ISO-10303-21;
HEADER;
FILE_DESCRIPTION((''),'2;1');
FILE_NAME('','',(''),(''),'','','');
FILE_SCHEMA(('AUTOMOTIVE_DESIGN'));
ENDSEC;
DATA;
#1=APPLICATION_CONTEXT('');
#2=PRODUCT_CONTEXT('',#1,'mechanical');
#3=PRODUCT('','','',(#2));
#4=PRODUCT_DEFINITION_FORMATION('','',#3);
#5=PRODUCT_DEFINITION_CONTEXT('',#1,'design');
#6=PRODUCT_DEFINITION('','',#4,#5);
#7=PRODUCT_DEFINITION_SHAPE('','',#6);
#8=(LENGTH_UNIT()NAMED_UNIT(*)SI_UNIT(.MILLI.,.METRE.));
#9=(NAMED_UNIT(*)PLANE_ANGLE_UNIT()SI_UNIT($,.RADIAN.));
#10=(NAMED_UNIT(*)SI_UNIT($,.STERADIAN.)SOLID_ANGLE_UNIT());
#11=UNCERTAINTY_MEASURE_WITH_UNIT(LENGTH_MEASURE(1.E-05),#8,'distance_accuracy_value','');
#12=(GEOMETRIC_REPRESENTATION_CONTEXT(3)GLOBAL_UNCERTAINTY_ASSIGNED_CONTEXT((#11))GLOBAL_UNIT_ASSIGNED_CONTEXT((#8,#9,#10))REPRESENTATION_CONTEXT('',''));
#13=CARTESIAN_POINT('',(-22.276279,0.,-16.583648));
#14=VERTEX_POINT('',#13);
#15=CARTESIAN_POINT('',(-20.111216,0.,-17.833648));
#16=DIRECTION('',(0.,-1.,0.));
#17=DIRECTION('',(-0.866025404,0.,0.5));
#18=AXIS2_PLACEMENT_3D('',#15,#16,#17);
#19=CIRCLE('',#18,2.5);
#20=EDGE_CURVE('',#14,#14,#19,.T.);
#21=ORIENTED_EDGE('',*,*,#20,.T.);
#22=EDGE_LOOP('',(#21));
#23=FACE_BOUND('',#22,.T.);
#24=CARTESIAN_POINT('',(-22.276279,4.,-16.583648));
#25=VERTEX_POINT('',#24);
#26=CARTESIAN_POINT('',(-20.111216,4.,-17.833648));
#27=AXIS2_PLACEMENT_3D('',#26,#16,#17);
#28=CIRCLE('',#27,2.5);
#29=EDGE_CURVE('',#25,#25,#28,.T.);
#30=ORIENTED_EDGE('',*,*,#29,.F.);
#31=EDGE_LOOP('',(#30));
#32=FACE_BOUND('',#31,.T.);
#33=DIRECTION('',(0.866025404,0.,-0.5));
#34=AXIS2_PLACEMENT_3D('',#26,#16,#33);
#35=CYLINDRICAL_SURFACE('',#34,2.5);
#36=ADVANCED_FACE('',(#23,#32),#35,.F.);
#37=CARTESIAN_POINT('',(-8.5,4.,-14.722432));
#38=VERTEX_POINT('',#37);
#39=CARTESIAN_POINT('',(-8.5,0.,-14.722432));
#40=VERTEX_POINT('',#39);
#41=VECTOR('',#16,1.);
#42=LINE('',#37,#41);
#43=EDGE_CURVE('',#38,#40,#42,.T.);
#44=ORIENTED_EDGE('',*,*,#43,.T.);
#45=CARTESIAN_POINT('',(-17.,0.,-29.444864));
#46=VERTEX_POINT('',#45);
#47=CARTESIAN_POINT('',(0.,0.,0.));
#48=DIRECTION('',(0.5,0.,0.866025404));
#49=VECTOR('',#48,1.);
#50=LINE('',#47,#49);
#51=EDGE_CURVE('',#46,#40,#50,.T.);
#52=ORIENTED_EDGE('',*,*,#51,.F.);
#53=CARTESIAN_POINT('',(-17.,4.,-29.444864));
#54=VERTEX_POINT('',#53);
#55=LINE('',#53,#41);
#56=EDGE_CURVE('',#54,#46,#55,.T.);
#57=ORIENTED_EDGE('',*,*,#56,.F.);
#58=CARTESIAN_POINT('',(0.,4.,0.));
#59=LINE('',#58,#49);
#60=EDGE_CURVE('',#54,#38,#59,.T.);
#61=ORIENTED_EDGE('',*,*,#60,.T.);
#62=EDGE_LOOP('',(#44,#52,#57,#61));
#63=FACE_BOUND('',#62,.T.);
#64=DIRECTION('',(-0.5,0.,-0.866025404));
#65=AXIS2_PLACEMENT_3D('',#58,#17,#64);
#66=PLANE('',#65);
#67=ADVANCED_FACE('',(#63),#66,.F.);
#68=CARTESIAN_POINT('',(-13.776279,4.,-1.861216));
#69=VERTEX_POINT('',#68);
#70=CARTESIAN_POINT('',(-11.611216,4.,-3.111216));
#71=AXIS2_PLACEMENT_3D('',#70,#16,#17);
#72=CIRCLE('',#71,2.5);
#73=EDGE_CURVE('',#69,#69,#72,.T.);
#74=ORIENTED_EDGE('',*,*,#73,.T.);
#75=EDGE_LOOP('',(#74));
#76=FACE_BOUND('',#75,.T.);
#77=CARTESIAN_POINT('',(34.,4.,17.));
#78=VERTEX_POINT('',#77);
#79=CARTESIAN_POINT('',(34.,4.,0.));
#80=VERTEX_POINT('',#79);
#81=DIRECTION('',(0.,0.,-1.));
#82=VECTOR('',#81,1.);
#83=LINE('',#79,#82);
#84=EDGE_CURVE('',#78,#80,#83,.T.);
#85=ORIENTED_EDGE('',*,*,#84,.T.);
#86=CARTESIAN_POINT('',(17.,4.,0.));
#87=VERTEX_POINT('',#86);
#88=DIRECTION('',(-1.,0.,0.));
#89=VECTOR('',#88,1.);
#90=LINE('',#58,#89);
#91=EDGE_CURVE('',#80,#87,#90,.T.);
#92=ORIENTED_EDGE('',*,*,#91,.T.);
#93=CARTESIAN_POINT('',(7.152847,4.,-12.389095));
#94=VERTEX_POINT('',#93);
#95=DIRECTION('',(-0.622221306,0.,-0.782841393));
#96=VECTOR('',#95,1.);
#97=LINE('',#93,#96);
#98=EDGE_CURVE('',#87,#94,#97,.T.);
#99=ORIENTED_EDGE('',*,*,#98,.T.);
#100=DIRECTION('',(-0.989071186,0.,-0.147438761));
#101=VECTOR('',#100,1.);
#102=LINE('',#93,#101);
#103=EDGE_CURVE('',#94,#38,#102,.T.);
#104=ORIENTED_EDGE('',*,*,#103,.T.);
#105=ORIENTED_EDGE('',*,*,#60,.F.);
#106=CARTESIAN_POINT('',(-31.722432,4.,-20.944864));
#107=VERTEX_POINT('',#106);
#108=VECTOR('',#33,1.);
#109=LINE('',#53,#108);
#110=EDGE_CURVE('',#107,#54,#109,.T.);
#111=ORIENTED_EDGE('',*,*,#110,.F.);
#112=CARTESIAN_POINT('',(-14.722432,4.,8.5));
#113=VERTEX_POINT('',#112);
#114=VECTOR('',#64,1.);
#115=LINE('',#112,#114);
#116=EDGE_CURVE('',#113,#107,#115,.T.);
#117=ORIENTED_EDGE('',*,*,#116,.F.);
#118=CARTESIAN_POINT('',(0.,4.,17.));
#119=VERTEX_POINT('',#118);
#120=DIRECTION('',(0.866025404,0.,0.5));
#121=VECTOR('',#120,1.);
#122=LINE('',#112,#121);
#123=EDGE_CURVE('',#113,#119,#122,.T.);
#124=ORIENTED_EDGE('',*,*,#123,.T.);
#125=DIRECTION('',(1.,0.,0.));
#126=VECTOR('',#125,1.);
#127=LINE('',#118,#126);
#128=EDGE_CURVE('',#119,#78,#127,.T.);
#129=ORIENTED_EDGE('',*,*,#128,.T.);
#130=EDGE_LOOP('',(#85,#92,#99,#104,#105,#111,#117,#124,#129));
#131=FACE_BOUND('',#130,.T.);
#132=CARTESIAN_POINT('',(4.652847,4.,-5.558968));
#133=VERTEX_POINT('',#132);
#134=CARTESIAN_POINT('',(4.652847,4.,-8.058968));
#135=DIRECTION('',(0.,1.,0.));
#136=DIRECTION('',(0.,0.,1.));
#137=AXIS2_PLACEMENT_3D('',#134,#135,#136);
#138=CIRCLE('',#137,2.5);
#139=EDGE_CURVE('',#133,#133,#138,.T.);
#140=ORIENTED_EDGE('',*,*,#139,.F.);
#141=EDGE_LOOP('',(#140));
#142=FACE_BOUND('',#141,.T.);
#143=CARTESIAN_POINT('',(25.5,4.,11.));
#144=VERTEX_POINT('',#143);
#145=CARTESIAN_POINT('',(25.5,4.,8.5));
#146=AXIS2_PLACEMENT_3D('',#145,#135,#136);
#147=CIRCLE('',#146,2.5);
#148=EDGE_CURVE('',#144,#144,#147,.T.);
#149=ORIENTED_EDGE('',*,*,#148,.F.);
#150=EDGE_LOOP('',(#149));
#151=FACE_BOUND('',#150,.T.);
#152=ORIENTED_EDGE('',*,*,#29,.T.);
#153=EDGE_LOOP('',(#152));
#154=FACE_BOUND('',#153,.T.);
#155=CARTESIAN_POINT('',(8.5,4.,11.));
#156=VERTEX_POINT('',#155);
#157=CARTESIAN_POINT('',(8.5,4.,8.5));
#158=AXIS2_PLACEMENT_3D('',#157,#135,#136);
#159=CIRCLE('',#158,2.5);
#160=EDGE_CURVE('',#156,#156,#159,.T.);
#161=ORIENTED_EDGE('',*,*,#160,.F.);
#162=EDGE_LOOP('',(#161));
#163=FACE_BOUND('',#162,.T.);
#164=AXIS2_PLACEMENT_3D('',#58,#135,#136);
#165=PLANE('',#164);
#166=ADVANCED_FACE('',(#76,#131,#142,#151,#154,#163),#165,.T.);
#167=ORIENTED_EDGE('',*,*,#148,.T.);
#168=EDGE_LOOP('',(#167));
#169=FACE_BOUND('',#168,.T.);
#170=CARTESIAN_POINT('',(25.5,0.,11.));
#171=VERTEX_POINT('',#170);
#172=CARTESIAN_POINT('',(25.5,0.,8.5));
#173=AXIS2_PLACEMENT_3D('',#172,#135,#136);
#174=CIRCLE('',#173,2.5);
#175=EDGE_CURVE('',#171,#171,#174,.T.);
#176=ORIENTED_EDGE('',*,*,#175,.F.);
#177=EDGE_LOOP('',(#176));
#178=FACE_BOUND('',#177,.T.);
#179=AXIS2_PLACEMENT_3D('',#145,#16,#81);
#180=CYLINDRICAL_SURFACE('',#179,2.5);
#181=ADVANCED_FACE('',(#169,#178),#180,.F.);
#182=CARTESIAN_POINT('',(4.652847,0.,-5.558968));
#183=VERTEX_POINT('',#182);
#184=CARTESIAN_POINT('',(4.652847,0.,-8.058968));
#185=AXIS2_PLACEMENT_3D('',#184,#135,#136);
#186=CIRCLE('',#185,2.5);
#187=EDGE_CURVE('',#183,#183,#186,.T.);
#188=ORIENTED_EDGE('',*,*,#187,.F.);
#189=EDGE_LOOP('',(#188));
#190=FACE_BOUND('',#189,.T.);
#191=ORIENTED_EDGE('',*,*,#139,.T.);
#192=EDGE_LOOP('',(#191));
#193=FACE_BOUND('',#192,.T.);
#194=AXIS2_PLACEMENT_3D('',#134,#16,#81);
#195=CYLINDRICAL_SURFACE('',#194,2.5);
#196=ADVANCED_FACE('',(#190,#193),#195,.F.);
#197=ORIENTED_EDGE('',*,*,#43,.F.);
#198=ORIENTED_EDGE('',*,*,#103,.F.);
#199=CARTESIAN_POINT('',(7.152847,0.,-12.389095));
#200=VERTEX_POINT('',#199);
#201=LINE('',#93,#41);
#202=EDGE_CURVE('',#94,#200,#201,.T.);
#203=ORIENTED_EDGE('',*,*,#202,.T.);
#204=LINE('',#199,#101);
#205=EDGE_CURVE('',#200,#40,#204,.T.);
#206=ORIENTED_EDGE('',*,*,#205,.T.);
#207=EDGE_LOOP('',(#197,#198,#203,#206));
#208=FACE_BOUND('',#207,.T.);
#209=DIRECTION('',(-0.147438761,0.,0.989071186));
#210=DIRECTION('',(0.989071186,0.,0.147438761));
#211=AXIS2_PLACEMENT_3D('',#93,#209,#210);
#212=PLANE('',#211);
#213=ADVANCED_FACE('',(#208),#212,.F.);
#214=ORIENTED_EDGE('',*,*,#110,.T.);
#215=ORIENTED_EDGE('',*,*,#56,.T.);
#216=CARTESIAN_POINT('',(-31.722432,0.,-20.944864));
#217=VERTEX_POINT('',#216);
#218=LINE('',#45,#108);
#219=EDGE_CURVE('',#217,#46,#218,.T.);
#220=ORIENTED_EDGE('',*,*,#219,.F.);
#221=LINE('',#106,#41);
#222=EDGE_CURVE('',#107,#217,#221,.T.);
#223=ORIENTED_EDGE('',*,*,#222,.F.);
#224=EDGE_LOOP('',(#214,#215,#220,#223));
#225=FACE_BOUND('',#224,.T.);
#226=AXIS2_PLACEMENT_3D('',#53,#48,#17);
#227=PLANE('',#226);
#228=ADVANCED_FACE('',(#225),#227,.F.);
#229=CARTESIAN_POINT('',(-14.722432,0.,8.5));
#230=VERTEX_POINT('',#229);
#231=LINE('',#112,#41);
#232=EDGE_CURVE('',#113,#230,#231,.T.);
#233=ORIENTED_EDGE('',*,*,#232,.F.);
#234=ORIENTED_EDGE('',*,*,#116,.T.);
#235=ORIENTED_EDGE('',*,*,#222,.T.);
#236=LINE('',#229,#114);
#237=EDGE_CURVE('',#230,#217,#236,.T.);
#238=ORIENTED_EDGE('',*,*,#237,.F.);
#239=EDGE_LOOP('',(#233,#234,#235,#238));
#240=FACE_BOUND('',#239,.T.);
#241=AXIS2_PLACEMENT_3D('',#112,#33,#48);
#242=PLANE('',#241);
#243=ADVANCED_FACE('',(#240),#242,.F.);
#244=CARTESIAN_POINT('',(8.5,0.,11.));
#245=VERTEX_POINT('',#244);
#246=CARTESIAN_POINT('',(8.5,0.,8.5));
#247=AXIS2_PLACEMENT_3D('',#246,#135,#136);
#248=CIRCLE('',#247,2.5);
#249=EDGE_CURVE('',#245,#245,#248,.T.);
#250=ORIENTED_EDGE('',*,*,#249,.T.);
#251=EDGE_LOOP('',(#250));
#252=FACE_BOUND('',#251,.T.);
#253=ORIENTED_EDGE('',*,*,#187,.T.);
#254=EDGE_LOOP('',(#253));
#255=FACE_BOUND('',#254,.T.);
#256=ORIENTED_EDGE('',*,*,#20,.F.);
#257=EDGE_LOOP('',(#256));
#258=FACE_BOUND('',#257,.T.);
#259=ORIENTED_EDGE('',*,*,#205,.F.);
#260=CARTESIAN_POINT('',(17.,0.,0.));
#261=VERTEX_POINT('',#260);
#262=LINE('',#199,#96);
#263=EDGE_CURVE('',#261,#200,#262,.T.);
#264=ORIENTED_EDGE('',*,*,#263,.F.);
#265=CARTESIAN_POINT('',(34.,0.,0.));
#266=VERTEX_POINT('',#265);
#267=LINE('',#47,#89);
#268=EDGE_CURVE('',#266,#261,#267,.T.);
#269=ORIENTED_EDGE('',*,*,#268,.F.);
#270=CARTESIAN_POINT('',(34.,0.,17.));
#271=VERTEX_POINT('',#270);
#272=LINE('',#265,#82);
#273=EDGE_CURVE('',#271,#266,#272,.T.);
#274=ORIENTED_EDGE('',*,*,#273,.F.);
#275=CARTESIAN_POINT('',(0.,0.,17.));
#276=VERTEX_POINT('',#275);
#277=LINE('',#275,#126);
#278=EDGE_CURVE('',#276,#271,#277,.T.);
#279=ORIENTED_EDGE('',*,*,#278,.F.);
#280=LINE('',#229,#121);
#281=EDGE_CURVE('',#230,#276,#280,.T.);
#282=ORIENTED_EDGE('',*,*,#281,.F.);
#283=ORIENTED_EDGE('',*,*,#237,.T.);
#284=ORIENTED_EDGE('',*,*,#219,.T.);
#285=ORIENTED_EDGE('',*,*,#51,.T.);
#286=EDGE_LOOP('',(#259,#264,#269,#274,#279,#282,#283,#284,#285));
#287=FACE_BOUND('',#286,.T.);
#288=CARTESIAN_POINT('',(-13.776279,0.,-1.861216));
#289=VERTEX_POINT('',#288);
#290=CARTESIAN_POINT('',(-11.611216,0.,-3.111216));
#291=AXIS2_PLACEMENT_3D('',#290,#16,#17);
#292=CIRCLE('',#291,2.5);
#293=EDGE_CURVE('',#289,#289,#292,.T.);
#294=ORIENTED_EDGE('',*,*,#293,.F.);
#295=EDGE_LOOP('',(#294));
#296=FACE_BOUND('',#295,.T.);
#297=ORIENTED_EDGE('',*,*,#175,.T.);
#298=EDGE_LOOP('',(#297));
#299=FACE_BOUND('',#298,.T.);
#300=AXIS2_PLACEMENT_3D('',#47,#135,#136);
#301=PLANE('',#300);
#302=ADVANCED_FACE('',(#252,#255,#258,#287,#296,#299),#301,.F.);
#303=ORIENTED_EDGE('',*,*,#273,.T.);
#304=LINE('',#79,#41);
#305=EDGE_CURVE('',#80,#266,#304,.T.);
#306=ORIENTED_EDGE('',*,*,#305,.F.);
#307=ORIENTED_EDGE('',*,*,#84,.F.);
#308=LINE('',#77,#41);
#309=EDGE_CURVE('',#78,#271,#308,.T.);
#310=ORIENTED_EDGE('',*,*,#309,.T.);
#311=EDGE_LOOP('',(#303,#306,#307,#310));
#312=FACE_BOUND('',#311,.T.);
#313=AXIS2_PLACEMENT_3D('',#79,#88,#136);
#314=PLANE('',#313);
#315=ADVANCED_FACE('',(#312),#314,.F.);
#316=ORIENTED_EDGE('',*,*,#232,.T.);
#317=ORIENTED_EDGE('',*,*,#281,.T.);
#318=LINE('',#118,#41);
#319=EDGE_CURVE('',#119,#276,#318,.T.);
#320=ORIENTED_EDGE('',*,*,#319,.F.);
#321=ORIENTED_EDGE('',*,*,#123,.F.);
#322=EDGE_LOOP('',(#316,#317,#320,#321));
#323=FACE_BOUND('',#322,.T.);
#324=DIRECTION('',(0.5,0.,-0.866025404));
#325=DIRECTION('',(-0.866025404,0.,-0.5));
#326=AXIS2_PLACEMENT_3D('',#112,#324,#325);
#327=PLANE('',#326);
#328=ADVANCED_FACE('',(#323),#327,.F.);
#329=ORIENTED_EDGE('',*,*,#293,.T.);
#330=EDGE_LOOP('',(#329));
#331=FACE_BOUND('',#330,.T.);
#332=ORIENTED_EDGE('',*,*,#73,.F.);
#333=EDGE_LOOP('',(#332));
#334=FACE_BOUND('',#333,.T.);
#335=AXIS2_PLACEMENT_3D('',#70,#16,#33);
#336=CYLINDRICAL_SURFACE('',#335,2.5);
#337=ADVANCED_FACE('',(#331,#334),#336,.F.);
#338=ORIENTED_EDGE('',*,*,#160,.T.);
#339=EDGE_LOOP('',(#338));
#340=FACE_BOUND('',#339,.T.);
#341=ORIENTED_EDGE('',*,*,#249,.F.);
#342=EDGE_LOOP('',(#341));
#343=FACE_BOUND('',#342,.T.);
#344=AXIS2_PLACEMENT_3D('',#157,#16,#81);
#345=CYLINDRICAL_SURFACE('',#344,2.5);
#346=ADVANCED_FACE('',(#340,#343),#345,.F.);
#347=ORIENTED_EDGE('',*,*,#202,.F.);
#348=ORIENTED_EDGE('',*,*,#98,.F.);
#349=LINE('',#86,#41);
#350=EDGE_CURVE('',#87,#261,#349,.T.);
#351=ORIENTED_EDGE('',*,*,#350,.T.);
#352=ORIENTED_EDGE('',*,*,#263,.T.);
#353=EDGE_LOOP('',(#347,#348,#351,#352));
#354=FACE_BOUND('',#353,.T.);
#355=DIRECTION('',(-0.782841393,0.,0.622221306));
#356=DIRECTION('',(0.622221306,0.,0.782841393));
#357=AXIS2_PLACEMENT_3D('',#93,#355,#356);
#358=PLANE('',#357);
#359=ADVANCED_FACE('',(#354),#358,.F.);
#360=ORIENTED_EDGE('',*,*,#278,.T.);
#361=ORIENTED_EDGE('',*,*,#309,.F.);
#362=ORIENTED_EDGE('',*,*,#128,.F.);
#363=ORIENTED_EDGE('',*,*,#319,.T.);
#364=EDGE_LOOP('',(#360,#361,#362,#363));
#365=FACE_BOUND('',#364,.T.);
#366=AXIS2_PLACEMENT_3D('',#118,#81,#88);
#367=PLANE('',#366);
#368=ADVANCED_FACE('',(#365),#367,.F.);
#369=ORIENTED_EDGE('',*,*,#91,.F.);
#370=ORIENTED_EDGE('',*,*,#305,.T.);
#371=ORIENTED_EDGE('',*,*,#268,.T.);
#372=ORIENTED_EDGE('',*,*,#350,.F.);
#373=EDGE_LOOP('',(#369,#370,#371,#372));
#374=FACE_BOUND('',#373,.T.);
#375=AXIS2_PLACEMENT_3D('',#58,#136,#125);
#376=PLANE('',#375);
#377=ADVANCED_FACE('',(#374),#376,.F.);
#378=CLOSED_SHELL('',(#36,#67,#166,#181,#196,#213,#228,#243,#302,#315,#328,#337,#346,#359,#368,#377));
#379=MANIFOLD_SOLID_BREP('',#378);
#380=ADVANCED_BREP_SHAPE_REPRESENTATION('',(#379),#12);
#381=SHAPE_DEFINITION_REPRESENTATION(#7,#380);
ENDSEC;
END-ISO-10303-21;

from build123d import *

# Parameters (mm, degrees)
SKETCH1_W           = 34
SKETCH1_H           = 17
SKETCH1_R           = 2.5
BOSS_EXTRUDE1_DEPTH = 4
BOSS_EXTRUDE2_DEPTH = 4
SKETCH13_R          = 2.5
BOSS_EXTRUDE3_DEPTH = 4


with BuildPart() as part:
    # sketch1 → Boss-Extrude1 (new body)
    with BuildSketch(Plane(origin=(0, 0, 0), x_dir=(1, 0, 0), z_dir=(0, 1, 0))):
        with Locations((17, -8.5)):
            Rectangle(SKETCH1_W, SKETCH1_H)
        with Locations((8.5, -8.5)):
            Circle(SKETCH1_R, mode=Mode.SUBTRACT)
        with Locations((25.5, -8.5)):
            Circle(SKETCH1_R, mode=Mode.SUBTRACT)
    extrude(amount=BOSS_EXTRUDE1_DEPTH)


with BuildPart() as body_2:
    # Mirror6: mirrored copy
    add(part.part.mirror(Plane(origin=(0, 0, 0), x_dir=(-0.5, 0, 0.866025404), z_dir=(-0.866025404, 0, -0.5))))


with BuildPart() as part_1:
    add(part.part)

    add(body_2.part)  # Boss-Extrude2 merges body 2
    # Sketch11 → Boss-Extrude2 (add)
    with BuildSketch(Plane(origin=(0, 0, 0), x_dir=(1, 0, 0), z_dir=(0, 1, 0))):
        Polygon((-14.722431864, -8.5), (0, -17), (0, 0), align=None)
    extrude(amount=BOSS_EXTRUDE2_DEPTH)

    # Sketch13 → Boss-Extrude3 (add)
    with BuildSketch(Plane(origin=(0, 0, 0), x_dir=(1, 0, 0), z_dir=(0, 1, 0))):
        Polygon((7.152847248, 12.389094852), (-8.5, 14.722431864), (0, 0), (17, 0), align=None)
        with Locations((4.652847248, 8.058967833)):
            Circle(SKETCH13_R, mode=Mode.SUBTRACT)
    extrude(amount=BOSS_EXTRUDE3_DEPTH)


solid = part_1.part
